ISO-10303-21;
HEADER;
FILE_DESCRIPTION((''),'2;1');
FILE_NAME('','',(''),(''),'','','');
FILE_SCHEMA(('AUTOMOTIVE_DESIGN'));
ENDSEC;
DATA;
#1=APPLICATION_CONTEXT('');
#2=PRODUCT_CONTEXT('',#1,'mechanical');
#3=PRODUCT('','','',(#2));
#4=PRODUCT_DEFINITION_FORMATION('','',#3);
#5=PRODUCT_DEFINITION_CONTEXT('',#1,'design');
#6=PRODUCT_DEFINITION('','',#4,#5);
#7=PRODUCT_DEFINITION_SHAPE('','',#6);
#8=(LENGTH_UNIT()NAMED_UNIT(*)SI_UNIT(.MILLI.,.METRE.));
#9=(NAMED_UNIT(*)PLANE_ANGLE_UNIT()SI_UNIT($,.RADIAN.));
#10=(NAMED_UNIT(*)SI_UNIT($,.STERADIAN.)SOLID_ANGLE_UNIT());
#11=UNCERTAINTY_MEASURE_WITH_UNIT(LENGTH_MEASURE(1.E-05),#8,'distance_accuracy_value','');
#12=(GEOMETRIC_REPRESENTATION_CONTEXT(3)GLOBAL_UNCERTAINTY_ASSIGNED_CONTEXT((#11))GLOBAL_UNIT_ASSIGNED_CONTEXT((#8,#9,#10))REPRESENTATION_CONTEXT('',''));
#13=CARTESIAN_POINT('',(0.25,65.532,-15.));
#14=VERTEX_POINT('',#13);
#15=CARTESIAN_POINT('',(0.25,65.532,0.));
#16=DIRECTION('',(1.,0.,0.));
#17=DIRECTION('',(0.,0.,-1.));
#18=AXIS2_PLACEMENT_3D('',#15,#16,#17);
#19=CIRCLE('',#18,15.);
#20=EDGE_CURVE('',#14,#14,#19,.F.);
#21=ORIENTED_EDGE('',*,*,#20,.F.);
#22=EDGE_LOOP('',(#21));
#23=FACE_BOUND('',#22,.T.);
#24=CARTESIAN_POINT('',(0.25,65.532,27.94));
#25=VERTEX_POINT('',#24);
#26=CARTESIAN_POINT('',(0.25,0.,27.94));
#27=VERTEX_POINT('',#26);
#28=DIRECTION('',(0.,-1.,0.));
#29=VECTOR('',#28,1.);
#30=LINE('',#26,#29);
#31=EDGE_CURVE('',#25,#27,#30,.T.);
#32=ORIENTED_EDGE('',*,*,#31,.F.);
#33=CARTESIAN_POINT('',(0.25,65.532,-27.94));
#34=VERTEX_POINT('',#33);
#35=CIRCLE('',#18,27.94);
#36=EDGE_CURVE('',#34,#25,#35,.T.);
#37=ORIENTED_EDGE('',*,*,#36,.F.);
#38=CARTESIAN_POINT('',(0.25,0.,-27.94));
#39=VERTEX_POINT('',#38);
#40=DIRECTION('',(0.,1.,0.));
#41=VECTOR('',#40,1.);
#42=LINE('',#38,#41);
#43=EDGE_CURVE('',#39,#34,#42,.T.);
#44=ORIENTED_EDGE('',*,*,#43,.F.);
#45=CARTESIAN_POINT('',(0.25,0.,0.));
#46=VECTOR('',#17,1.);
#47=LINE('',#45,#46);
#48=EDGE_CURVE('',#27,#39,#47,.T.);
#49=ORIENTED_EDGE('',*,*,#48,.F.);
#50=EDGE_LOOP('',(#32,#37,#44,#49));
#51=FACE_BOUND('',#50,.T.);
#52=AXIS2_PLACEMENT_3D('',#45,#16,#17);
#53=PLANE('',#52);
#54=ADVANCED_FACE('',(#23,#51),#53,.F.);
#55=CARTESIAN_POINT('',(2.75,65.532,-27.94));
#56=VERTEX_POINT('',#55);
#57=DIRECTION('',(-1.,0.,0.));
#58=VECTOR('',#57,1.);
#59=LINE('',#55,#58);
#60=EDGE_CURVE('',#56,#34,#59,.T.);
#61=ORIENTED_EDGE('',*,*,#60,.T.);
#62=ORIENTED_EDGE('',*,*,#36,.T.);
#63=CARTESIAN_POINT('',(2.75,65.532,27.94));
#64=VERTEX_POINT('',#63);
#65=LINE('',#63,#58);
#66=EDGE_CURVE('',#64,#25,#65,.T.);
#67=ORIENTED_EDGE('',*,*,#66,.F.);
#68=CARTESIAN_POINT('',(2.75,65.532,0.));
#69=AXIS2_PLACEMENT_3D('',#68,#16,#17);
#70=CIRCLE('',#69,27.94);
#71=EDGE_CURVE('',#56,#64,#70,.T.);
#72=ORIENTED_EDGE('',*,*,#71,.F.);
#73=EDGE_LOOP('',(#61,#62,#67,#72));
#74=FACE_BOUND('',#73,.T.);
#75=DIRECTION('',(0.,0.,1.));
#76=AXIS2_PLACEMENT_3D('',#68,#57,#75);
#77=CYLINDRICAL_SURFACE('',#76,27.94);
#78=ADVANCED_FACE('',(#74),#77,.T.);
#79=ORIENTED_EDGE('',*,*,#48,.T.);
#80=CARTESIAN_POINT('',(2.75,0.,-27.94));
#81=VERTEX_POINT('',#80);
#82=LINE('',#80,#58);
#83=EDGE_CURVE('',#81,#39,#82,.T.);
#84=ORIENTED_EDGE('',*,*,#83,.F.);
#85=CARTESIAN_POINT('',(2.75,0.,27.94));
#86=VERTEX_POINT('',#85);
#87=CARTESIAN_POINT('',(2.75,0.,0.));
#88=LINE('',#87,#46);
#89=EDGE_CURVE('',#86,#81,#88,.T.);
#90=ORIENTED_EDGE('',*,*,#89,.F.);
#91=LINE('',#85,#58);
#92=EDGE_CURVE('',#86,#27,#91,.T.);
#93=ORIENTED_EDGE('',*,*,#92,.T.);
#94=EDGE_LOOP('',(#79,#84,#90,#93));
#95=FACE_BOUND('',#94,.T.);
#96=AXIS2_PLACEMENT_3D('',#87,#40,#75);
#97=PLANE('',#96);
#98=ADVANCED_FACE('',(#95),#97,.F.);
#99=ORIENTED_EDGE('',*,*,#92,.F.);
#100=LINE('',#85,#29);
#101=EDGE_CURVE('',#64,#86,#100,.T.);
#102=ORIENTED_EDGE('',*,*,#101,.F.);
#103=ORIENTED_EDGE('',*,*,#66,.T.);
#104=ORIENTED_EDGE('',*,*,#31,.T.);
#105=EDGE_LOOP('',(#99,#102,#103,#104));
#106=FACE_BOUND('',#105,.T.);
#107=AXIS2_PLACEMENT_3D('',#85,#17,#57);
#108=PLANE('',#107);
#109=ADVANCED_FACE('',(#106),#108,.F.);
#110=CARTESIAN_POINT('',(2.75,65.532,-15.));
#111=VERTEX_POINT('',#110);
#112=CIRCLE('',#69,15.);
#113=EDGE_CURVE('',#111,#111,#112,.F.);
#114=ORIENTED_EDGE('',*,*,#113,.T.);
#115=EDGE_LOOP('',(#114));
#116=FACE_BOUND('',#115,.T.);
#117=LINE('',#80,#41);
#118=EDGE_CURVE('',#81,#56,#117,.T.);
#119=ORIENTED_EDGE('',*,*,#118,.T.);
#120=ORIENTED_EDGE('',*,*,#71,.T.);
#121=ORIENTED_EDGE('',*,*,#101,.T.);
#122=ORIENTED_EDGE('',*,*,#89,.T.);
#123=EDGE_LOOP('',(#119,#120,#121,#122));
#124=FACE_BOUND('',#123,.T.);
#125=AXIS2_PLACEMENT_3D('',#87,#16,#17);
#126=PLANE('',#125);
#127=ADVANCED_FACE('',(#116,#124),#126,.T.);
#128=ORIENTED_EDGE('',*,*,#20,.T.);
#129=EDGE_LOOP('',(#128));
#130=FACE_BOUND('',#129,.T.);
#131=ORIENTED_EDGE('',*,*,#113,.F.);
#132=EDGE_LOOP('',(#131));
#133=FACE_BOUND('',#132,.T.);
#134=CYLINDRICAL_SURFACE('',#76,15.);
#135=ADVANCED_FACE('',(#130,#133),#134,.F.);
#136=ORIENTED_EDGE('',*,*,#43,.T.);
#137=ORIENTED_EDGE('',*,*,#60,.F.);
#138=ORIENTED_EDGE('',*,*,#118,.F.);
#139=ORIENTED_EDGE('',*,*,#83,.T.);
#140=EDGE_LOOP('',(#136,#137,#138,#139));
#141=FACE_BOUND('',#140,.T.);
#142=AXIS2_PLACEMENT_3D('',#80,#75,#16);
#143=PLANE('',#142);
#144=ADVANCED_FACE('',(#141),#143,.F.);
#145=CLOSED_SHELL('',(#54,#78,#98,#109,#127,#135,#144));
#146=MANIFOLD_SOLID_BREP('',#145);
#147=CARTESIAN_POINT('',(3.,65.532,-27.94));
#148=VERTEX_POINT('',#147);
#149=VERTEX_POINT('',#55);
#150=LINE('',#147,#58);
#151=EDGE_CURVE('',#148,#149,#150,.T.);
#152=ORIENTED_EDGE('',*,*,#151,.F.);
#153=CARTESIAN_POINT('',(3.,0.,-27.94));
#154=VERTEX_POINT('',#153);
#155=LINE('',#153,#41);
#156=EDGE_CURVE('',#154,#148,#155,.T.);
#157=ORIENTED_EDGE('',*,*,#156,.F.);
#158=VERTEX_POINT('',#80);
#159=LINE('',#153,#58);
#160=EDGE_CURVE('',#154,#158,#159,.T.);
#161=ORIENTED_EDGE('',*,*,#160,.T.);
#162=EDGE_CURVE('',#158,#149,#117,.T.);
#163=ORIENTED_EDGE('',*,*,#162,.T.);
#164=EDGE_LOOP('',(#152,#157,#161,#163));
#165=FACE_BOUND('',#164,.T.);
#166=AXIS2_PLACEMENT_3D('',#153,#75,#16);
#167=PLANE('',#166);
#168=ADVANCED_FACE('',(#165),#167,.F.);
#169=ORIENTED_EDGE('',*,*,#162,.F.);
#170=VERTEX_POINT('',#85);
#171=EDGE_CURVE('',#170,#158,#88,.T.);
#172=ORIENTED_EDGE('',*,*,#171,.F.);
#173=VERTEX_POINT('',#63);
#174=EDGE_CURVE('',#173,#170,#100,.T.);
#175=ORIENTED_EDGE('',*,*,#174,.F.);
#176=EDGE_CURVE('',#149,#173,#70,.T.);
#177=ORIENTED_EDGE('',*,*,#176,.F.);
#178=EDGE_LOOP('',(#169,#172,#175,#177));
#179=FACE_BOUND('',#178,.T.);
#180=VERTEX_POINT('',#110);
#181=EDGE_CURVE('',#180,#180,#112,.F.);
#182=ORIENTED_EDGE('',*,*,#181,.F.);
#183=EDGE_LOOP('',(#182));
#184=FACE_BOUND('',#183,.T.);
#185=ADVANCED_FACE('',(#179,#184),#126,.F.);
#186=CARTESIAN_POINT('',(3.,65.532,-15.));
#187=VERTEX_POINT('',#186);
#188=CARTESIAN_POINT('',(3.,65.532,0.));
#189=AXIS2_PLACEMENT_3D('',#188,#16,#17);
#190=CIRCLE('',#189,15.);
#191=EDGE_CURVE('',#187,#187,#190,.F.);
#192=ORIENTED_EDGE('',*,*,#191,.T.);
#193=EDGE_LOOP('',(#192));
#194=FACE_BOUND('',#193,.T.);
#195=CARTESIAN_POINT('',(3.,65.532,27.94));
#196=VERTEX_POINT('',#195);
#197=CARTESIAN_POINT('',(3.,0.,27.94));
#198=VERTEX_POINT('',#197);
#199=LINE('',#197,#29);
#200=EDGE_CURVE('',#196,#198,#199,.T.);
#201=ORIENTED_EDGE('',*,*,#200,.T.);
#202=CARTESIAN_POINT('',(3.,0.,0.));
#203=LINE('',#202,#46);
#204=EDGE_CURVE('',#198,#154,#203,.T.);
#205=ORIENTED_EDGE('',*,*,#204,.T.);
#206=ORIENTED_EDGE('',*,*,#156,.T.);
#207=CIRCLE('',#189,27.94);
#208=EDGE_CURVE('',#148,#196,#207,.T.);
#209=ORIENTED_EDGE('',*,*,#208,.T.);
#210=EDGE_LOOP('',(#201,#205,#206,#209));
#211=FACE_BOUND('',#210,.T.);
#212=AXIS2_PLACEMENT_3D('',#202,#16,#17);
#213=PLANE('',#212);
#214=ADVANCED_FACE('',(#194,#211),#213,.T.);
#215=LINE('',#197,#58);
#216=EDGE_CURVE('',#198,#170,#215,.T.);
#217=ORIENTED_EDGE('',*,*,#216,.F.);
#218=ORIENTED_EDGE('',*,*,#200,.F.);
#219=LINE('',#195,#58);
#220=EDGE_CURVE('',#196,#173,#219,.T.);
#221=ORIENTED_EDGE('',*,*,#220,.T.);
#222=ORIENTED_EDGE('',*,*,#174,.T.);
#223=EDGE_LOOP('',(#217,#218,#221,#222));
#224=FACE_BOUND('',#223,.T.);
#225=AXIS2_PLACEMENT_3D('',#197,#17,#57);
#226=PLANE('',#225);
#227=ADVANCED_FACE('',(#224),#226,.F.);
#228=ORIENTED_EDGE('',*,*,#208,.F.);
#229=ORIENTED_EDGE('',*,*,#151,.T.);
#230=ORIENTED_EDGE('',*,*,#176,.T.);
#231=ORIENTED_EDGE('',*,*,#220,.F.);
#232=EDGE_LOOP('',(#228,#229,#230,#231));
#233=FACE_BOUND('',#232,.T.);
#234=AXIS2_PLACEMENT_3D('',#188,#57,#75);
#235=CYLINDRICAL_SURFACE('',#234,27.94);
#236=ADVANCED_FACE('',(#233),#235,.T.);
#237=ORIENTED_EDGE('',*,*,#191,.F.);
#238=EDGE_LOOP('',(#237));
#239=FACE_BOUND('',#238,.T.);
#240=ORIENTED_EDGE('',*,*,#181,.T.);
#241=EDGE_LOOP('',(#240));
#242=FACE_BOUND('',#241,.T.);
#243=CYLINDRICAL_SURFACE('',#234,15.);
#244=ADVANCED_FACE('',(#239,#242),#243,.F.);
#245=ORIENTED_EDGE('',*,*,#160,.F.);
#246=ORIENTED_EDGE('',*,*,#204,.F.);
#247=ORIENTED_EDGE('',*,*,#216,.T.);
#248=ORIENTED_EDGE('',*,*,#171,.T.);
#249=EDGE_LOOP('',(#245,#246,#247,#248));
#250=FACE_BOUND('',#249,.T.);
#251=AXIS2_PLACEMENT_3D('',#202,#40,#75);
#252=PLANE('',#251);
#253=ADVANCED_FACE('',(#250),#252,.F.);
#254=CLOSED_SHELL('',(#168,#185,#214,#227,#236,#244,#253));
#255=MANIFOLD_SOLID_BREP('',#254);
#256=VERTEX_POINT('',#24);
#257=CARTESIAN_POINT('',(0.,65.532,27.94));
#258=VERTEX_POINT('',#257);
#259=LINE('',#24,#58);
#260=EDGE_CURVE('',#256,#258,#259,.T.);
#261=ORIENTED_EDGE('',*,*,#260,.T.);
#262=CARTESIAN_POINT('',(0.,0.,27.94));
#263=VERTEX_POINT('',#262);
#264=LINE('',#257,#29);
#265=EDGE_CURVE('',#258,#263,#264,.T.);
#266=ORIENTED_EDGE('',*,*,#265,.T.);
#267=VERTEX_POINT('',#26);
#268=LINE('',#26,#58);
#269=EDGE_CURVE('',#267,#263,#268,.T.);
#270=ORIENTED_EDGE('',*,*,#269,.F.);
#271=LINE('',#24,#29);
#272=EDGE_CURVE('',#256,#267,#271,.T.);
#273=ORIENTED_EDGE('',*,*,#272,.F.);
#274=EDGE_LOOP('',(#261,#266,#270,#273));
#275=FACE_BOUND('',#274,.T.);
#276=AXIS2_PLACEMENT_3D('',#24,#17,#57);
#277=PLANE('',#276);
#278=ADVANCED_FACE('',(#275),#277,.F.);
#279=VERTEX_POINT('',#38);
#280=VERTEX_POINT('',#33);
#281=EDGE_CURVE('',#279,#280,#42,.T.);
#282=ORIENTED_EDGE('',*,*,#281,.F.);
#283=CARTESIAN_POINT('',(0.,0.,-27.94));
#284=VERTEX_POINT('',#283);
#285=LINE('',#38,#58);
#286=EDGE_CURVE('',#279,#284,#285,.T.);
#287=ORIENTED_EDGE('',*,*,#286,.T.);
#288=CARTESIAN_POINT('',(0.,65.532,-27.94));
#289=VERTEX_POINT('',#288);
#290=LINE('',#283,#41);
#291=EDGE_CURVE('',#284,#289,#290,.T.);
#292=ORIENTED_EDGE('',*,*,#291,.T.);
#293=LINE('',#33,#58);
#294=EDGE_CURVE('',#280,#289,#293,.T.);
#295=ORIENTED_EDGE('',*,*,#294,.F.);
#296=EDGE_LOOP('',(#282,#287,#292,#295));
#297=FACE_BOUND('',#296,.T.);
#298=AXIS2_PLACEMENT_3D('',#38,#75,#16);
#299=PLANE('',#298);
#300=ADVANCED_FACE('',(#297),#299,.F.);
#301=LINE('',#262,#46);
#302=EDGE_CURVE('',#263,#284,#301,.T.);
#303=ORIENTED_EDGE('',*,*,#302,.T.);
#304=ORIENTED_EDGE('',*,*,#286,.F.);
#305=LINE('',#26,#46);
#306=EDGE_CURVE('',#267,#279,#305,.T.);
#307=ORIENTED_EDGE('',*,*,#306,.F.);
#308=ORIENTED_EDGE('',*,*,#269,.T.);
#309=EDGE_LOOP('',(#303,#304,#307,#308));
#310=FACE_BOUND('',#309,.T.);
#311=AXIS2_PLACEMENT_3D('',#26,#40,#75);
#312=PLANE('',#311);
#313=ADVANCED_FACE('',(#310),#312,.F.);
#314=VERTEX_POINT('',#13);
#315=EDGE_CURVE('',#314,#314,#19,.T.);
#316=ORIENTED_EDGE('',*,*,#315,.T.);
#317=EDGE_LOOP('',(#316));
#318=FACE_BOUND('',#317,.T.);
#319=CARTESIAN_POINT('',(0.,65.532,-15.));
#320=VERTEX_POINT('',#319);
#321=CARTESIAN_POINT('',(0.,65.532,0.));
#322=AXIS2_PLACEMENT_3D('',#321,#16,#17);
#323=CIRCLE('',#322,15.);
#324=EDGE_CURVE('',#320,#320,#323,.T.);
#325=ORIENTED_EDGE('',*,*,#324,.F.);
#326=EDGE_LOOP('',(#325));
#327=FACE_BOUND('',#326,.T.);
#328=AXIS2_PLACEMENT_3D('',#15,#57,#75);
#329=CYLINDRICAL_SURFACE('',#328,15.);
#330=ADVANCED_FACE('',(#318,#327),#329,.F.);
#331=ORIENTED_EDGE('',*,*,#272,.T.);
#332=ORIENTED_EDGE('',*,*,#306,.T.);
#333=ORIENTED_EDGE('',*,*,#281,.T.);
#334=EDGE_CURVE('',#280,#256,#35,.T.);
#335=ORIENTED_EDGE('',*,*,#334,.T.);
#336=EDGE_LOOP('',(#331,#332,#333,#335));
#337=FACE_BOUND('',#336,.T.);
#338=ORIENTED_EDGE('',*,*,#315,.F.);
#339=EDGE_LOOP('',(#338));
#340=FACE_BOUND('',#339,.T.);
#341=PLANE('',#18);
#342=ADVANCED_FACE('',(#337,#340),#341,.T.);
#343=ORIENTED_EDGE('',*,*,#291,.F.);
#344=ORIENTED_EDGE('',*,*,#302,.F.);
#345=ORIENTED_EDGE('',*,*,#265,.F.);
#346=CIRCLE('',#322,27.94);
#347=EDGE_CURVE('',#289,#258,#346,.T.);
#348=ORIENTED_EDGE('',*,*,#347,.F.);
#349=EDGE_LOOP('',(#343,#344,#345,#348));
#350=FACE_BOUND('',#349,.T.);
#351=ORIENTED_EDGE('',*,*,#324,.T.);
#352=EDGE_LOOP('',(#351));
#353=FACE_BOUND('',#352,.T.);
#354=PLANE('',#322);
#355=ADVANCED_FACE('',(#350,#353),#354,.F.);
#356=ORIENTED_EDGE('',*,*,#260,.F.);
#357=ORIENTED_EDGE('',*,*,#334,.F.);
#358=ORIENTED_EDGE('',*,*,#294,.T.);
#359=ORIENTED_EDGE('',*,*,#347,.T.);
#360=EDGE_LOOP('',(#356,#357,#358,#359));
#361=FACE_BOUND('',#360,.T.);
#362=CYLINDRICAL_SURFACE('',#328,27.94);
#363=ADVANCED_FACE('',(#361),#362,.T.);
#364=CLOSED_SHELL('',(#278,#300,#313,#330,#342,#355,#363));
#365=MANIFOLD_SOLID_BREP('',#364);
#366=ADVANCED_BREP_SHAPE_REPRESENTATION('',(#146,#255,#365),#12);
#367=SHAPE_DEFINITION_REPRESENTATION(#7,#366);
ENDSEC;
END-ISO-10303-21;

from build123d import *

# Parameters (mm, degrees)
SKETCH1_R           = 15
BOSS_EXTRUDE1_DEPTH = 0.25
SKETCH2_R           = 15
BOSS_EXTRUDE2_DEPTH = 2.5
SKETCH3_R           = 15
BOSS_EXTRUDE3_DEPTH = 0.25


with BuildPart() as part:
    # Sketch1 → Boss-Extrude1 (new body)
    with BuildSketch(Plane(origin=(0, 0, 0), x_dir=(0, 0, -1), z_dir=(1, 0, 0))):
        with BuildLine():
            Line((-27.94, 65.532), (-27.94, 0))
            Line((-27.94, 0), (27.94, 0))
            Line((27.94, 0), (27.94, 65.532))
            ThreePointArc((27.94, 65.532), (0, 93.472), (-27.94, 65.532))
        make_face()
        with Locations((0, 65.532)):
            Circle(SKETCH1_R, mode=Mode.SUBTRACT)
    extrude(amount=BOSS_EXTRUDE1_DEPTH)


with BuildPart() as body_2:
    # Sketch2 → Boss-Extrude2 (new body)
    with BuildSketch(Plane(origin=(0.25, 0, 0), x_dir=(0, 0, -1), z_dir=(1, 0, 0))):
        with BuildLine():
            Line((27.94, 0), (27.94, 65.532))
            ThreePointArc((27.94, 65.532), (0, 93.472), (-27.94, 65.532))
            Line((-27.94, 65.532), (-27.94, 0))
            Line((-27.94, 0), (27.94, 0))
        make_face()
        with Locations((0, 65.532)):
            Circle(SKETCH2_R, mode=Mode.SUBTRACT)
    extrude(amount=BOSS_EXTRUDE2_DEPTH)


with BuildPart() as body_3:
    # Sketch3 → Boss-Extrude3 (new body)
    with BuildSketch(Plane(origin=(2.75, 0, 0), x_dir=(0, 0, -1), z_dir=(1, 0, 0))):
        with BuildLine():
            Line((-27.94, 0), (27.94, 0))
            Line((27.94, 0), (27.94, 65.532))
            ThreePointArc((27.94, 65.532), (0, 93.472), (-27.94, 65.532))
            Line((-27.94, 65.532), (-27.94, 0))
        make_face()
        with Locations((0, 65.532)):
            Circle(SKETCH3_R, mode=Mode.SUBTRACT)
    extrude(amount=BOSS_EXTRUDE3_DEPTH)


solid = Compound([part.part, body_2.part, body_3.part])
